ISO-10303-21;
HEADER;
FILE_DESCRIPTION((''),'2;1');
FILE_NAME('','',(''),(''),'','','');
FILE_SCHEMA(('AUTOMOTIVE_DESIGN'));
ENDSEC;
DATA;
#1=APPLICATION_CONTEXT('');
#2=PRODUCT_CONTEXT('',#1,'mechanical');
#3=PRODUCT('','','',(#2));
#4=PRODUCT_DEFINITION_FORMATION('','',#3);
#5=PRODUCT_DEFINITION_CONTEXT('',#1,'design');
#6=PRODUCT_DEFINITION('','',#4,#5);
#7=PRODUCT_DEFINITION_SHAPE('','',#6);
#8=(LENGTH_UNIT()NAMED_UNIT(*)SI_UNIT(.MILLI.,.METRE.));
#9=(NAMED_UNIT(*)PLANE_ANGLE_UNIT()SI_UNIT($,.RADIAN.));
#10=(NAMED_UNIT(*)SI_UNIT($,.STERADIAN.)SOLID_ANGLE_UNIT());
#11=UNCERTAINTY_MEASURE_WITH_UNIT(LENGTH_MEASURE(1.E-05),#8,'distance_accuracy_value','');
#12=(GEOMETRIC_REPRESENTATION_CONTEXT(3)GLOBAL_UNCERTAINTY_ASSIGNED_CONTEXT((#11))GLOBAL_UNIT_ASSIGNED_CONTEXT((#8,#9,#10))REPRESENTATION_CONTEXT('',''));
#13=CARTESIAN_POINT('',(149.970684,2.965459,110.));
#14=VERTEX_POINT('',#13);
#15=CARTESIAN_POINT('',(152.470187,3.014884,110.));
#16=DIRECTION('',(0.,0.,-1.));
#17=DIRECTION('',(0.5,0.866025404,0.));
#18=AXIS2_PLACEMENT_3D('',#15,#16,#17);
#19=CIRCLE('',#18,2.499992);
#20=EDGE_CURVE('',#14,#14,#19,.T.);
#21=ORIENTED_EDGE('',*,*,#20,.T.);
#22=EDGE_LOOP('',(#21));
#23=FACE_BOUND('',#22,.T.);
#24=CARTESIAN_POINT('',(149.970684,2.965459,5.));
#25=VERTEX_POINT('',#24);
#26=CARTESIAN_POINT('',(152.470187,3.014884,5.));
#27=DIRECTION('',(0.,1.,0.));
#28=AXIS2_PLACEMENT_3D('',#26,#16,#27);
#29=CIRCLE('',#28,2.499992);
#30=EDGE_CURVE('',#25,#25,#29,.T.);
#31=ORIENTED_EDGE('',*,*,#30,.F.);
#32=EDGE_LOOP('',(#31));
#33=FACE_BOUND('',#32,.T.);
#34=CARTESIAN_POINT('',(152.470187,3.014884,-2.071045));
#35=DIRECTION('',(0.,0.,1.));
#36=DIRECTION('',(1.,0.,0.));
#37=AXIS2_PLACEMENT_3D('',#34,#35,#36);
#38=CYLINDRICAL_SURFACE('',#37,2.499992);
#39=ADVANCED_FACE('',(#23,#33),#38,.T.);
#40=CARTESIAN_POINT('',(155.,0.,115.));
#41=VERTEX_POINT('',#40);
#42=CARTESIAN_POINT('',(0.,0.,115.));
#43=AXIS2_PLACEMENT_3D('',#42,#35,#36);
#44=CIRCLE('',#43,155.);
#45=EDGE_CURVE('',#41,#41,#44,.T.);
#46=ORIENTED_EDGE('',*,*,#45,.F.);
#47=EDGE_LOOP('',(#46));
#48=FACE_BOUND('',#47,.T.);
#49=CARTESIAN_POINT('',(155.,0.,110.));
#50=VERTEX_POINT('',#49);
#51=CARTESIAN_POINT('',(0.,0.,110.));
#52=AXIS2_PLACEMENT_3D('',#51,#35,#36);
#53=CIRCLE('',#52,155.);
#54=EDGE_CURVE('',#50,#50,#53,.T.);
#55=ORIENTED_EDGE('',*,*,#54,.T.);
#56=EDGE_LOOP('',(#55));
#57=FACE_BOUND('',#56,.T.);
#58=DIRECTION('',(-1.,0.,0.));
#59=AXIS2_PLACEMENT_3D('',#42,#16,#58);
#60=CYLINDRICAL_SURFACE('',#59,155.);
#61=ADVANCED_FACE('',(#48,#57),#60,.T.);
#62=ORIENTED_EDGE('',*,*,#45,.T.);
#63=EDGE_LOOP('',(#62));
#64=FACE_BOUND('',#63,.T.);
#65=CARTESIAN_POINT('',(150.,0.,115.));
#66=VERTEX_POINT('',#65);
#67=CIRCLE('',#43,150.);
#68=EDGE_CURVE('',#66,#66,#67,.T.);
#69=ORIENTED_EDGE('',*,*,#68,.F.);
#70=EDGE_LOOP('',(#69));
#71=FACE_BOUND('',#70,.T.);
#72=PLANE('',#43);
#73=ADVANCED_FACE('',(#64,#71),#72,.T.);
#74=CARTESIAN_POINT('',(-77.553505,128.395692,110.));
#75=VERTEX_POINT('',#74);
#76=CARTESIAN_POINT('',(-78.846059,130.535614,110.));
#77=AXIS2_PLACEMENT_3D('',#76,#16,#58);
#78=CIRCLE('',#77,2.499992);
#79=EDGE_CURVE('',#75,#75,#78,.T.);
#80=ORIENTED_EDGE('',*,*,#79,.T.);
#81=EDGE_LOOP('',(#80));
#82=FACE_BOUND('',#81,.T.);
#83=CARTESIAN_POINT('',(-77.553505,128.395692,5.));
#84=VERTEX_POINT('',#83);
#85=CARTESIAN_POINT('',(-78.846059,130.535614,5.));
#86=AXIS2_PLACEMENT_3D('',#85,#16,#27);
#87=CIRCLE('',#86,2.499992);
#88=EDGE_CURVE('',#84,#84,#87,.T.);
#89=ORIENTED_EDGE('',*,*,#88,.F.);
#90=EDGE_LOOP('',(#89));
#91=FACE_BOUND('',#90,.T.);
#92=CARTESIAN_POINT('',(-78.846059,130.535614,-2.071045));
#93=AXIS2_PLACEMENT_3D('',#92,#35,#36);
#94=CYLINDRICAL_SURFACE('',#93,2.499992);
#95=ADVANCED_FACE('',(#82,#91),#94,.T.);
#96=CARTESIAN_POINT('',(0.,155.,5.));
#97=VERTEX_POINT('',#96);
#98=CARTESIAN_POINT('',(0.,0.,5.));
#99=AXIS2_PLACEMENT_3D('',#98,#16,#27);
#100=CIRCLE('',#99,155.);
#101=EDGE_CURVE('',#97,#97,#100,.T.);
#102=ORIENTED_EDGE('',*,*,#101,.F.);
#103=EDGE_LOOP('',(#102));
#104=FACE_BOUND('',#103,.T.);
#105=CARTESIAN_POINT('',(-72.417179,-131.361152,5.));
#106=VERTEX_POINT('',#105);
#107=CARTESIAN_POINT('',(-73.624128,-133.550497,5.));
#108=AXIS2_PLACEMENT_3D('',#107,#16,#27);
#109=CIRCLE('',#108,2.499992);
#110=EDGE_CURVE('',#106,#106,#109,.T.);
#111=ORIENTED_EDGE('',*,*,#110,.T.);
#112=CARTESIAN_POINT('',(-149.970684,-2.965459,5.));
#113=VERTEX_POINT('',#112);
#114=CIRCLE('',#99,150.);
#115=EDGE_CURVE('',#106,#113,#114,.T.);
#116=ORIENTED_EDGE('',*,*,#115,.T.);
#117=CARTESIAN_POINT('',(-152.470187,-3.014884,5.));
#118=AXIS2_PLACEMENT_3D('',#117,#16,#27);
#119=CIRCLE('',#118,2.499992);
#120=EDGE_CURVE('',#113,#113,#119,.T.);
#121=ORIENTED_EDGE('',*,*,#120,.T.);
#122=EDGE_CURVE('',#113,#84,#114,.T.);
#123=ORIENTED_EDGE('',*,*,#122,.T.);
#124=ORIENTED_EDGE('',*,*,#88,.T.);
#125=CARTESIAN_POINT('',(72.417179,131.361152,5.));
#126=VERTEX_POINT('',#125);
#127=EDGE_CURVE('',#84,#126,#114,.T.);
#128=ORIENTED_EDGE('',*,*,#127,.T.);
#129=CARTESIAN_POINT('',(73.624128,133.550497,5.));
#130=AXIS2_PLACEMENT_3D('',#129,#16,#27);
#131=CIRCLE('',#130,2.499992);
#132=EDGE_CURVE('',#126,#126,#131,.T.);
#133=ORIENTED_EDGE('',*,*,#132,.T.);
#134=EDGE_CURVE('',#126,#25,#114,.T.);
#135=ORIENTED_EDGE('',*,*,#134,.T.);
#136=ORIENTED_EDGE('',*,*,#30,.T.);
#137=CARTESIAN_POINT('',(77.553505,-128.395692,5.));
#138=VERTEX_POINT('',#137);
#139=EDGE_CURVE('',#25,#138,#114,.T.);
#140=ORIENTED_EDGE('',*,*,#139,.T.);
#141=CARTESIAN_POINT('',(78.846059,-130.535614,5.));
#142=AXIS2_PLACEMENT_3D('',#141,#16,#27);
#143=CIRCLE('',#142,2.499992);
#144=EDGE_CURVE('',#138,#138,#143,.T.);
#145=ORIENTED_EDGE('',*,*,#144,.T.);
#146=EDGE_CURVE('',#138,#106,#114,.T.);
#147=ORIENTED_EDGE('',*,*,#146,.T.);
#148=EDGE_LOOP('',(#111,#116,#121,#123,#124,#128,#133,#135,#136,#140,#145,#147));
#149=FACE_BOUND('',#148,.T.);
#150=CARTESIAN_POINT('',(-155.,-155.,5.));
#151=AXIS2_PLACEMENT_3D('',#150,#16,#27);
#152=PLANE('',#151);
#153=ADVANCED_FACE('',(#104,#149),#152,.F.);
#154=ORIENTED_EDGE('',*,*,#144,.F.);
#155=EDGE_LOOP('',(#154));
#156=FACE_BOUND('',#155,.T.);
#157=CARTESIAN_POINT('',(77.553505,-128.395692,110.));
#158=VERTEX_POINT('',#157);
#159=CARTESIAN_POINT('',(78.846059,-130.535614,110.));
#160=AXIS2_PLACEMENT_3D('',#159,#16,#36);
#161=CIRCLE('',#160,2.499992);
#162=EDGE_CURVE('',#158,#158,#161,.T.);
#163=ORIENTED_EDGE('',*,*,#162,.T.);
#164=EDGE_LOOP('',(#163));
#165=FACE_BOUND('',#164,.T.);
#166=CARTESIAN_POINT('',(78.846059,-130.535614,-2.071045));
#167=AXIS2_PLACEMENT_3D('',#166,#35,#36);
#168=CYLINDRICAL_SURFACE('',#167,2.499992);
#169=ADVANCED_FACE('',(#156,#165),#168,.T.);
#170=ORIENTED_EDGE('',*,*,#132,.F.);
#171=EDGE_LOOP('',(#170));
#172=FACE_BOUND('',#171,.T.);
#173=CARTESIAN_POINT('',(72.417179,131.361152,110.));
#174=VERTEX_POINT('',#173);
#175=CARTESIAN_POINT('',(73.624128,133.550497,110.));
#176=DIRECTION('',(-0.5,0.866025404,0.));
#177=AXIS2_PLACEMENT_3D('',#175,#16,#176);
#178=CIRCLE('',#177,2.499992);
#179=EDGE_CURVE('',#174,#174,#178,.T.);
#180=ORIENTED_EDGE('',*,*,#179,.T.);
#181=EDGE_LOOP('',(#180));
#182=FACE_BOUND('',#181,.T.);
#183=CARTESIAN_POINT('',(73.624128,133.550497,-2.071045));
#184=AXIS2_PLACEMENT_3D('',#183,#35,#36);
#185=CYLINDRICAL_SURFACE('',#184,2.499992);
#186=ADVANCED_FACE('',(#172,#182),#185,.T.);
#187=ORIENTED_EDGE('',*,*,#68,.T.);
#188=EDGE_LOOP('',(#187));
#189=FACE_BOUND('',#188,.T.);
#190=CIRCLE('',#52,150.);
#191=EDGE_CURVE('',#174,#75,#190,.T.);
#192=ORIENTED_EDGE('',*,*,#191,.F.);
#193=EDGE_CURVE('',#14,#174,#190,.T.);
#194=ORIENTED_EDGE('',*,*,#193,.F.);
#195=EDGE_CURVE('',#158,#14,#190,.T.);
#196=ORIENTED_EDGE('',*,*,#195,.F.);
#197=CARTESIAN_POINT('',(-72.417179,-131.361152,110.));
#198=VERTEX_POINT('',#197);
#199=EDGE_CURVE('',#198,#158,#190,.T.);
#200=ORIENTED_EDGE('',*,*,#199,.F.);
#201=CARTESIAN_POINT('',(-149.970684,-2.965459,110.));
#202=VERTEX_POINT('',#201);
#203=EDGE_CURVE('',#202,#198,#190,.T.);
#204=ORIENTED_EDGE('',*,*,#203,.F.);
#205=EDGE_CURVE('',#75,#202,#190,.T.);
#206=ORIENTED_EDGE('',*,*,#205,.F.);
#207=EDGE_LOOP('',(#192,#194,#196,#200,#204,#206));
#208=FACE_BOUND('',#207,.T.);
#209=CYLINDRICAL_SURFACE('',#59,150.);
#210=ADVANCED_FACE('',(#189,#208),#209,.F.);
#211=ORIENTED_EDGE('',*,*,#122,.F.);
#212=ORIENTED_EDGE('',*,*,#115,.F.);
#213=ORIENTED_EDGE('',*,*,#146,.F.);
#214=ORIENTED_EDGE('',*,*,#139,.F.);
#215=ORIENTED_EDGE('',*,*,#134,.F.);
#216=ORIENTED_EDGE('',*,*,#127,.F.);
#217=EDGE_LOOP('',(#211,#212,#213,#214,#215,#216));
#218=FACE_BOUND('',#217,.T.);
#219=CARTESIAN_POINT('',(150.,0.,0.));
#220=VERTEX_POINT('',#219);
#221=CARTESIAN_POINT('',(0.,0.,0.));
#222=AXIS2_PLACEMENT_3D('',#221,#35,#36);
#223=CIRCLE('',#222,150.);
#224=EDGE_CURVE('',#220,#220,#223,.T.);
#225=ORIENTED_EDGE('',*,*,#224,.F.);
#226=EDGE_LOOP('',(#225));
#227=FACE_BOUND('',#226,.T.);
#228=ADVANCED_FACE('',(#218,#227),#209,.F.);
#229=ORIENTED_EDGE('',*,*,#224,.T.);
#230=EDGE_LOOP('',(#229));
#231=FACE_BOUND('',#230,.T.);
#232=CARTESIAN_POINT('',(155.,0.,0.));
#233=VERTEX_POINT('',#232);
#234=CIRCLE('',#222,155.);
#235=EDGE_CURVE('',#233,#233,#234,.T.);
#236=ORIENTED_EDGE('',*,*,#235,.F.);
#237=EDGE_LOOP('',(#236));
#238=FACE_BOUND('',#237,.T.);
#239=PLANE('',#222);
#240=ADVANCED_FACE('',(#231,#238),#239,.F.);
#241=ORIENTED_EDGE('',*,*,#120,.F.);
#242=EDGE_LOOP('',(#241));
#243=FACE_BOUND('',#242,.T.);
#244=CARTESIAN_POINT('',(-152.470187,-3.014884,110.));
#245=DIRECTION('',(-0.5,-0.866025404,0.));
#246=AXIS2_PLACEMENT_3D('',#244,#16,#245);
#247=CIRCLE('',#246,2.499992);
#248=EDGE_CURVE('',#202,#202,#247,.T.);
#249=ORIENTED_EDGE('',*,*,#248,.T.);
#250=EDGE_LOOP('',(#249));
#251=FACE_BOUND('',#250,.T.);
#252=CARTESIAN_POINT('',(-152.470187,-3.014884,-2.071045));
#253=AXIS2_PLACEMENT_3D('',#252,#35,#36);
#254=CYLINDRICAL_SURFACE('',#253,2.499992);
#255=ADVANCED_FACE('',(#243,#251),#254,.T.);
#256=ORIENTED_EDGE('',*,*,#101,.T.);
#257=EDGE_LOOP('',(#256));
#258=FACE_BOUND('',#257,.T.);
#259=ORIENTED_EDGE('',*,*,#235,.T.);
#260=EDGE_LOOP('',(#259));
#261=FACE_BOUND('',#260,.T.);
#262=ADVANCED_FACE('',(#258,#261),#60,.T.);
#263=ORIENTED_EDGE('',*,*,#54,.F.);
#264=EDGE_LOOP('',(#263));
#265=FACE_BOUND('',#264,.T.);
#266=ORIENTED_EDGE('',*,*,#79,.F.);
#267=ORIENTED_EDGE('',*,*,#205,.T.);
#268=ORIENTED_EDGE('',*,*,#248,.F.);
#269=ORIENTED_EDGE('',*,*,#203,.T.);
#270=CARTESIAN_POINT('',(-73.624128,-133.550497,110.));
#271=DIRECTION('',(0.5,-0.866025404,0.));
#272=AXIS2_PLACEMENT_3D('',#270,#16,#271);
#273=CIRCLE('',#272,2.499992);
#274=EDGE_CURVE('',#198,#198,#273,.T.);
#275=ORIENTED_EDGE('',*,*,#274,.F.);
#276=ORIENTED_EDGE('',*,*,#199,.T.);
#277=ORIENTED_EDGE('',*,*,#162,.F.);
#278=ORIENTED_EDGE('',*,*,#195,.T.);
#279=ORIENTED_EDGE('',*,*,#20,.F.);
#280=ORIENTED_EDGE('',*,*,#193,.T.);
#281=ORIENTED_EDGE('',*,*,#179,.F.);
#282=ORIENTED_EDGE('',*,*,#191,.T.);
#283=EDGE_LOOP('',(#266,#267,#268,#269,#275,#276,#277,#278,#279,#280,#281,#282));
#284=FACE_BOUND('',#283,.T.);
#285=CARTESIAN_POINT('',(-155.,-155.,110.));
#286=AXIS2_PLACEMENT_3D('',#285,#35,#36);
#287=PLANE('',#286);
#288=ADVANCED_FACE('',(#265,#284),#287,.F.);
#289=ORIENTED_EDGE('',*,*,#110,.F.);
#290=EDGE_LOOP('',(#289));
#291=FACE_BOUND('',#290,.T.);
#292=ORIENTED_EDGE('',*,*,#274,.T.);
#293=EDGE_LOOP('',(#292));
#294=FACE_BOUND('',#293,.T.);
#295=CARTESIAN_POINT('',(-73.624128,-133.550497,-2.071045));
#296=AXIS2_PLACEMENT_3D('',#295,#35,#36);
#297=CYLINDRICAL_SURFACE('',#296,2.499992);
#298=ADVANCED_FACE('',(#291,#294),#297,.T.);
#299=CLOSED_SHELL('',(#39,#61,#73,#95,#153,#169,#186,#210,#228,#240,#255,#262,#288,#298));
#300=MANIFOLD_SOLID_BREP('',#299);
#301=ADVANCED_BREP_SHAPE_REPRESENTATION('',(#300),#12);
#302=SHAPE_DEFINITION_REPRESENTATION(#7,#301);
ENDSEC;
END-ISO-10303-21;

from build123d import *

# Parameters (mm, degrees)
SKETCH1_R               = 155
SKETCH1_R_2             = 150
BOSS_EXTRUDE1_DEPTH     = 115
CUT_EXTRUDE1_DEPTH      = 248.53787589
CUT_EXTRUDE1_DEPTH_BACK = 248.53787589
SKETCH2_W               = 105
SKETCH2_H               = 310
SKETCH3_R               = 2.499991986
BOSS_EXTRUDE2_DEPTH     = 105
CIRPATTERN2_COUNT       = 6


with BuildPart() as part:
    # Sketch1 → Boss-Extrude1 (new body)
    with BuildSketch(Plane.XY):
        Circle(SKETCH1_R)
        Circle(SKETCH1_R_2, mode=Mode.SUBTRACT)
    extrude(amount=BOSS_EXTRUDE1_DEPTH)

    # Sketch2 → Cut-Extrude1 (cut, two sides: drawn at the far end of the back side and taken through both)
    with BuildSketch(Plane(origin=(0, 0, 0), x_dir=(0, 0, -1), z_dir=(1, 0, 0)).offset(-CUT_EXTRUDE1_DEPTH_BACK)):
        with Locations((-57.5, 0)):
            Rectangle(SKETCH2_W, SKETCH2_H)
    extrude(amount=CUT_EXTRUDE1_DEPTH + CUT_EXTRUDE1_DEPTH_BACK, mode=Mode.SUBTRACT)


with BuildPart() as cut_extrude1_piece_1:
    # of the separate pieces the step leaves, piece 1, a body of its own (cut_extrude1_pieces)
    add(part.part.solids().sort_by_distance((155, 0, 110))[0])



with BuildPart() as cut_extrude1_piece_2:
    # of the separate pieces the step leaves, piece 2, a body of its own (cut_extrude1_pieces)
    add(part.part.solids().sort_by_distance((155, 0, 0))[0])


with BuildPart() as cut_extrude1_piece_1_1:
    add(cut_extrude1_piece_1.part)

    add(cut_extrude1_piece_2.part)  # Boss-Extrude2 merges Cut-Extrude1 piece 2
    # Sketch3 → Boss-Extrude2 (add)
    with BuildSketch(Plane(origin=(0, 0, 110), x_dir=(-1, 0, 0), z_dir=(0, 0, -1))):
        with Locations(Location((78.846059419, 130.535613799, 0), (0, 0, 238.867204155))):
            Circle(SKETCH3_R)
    boss_extrude2 = extrude(amount=BOSS_EXTRUDE2_DEPTH)

    # CirPattern2: Boss-Extrude2 ×6 about axis
    cirpattern2_axis = Axis((0, 0, 0), (0, 0, 1))
    for i in range(1, CIRPATTERN2_COUNT):
        add(boss_extrude2.rotate(cirpattern2_axis, i * 360 / CIRPATTERN2_COUNT))


solid = cut_extrude1_piece_1_1.part
